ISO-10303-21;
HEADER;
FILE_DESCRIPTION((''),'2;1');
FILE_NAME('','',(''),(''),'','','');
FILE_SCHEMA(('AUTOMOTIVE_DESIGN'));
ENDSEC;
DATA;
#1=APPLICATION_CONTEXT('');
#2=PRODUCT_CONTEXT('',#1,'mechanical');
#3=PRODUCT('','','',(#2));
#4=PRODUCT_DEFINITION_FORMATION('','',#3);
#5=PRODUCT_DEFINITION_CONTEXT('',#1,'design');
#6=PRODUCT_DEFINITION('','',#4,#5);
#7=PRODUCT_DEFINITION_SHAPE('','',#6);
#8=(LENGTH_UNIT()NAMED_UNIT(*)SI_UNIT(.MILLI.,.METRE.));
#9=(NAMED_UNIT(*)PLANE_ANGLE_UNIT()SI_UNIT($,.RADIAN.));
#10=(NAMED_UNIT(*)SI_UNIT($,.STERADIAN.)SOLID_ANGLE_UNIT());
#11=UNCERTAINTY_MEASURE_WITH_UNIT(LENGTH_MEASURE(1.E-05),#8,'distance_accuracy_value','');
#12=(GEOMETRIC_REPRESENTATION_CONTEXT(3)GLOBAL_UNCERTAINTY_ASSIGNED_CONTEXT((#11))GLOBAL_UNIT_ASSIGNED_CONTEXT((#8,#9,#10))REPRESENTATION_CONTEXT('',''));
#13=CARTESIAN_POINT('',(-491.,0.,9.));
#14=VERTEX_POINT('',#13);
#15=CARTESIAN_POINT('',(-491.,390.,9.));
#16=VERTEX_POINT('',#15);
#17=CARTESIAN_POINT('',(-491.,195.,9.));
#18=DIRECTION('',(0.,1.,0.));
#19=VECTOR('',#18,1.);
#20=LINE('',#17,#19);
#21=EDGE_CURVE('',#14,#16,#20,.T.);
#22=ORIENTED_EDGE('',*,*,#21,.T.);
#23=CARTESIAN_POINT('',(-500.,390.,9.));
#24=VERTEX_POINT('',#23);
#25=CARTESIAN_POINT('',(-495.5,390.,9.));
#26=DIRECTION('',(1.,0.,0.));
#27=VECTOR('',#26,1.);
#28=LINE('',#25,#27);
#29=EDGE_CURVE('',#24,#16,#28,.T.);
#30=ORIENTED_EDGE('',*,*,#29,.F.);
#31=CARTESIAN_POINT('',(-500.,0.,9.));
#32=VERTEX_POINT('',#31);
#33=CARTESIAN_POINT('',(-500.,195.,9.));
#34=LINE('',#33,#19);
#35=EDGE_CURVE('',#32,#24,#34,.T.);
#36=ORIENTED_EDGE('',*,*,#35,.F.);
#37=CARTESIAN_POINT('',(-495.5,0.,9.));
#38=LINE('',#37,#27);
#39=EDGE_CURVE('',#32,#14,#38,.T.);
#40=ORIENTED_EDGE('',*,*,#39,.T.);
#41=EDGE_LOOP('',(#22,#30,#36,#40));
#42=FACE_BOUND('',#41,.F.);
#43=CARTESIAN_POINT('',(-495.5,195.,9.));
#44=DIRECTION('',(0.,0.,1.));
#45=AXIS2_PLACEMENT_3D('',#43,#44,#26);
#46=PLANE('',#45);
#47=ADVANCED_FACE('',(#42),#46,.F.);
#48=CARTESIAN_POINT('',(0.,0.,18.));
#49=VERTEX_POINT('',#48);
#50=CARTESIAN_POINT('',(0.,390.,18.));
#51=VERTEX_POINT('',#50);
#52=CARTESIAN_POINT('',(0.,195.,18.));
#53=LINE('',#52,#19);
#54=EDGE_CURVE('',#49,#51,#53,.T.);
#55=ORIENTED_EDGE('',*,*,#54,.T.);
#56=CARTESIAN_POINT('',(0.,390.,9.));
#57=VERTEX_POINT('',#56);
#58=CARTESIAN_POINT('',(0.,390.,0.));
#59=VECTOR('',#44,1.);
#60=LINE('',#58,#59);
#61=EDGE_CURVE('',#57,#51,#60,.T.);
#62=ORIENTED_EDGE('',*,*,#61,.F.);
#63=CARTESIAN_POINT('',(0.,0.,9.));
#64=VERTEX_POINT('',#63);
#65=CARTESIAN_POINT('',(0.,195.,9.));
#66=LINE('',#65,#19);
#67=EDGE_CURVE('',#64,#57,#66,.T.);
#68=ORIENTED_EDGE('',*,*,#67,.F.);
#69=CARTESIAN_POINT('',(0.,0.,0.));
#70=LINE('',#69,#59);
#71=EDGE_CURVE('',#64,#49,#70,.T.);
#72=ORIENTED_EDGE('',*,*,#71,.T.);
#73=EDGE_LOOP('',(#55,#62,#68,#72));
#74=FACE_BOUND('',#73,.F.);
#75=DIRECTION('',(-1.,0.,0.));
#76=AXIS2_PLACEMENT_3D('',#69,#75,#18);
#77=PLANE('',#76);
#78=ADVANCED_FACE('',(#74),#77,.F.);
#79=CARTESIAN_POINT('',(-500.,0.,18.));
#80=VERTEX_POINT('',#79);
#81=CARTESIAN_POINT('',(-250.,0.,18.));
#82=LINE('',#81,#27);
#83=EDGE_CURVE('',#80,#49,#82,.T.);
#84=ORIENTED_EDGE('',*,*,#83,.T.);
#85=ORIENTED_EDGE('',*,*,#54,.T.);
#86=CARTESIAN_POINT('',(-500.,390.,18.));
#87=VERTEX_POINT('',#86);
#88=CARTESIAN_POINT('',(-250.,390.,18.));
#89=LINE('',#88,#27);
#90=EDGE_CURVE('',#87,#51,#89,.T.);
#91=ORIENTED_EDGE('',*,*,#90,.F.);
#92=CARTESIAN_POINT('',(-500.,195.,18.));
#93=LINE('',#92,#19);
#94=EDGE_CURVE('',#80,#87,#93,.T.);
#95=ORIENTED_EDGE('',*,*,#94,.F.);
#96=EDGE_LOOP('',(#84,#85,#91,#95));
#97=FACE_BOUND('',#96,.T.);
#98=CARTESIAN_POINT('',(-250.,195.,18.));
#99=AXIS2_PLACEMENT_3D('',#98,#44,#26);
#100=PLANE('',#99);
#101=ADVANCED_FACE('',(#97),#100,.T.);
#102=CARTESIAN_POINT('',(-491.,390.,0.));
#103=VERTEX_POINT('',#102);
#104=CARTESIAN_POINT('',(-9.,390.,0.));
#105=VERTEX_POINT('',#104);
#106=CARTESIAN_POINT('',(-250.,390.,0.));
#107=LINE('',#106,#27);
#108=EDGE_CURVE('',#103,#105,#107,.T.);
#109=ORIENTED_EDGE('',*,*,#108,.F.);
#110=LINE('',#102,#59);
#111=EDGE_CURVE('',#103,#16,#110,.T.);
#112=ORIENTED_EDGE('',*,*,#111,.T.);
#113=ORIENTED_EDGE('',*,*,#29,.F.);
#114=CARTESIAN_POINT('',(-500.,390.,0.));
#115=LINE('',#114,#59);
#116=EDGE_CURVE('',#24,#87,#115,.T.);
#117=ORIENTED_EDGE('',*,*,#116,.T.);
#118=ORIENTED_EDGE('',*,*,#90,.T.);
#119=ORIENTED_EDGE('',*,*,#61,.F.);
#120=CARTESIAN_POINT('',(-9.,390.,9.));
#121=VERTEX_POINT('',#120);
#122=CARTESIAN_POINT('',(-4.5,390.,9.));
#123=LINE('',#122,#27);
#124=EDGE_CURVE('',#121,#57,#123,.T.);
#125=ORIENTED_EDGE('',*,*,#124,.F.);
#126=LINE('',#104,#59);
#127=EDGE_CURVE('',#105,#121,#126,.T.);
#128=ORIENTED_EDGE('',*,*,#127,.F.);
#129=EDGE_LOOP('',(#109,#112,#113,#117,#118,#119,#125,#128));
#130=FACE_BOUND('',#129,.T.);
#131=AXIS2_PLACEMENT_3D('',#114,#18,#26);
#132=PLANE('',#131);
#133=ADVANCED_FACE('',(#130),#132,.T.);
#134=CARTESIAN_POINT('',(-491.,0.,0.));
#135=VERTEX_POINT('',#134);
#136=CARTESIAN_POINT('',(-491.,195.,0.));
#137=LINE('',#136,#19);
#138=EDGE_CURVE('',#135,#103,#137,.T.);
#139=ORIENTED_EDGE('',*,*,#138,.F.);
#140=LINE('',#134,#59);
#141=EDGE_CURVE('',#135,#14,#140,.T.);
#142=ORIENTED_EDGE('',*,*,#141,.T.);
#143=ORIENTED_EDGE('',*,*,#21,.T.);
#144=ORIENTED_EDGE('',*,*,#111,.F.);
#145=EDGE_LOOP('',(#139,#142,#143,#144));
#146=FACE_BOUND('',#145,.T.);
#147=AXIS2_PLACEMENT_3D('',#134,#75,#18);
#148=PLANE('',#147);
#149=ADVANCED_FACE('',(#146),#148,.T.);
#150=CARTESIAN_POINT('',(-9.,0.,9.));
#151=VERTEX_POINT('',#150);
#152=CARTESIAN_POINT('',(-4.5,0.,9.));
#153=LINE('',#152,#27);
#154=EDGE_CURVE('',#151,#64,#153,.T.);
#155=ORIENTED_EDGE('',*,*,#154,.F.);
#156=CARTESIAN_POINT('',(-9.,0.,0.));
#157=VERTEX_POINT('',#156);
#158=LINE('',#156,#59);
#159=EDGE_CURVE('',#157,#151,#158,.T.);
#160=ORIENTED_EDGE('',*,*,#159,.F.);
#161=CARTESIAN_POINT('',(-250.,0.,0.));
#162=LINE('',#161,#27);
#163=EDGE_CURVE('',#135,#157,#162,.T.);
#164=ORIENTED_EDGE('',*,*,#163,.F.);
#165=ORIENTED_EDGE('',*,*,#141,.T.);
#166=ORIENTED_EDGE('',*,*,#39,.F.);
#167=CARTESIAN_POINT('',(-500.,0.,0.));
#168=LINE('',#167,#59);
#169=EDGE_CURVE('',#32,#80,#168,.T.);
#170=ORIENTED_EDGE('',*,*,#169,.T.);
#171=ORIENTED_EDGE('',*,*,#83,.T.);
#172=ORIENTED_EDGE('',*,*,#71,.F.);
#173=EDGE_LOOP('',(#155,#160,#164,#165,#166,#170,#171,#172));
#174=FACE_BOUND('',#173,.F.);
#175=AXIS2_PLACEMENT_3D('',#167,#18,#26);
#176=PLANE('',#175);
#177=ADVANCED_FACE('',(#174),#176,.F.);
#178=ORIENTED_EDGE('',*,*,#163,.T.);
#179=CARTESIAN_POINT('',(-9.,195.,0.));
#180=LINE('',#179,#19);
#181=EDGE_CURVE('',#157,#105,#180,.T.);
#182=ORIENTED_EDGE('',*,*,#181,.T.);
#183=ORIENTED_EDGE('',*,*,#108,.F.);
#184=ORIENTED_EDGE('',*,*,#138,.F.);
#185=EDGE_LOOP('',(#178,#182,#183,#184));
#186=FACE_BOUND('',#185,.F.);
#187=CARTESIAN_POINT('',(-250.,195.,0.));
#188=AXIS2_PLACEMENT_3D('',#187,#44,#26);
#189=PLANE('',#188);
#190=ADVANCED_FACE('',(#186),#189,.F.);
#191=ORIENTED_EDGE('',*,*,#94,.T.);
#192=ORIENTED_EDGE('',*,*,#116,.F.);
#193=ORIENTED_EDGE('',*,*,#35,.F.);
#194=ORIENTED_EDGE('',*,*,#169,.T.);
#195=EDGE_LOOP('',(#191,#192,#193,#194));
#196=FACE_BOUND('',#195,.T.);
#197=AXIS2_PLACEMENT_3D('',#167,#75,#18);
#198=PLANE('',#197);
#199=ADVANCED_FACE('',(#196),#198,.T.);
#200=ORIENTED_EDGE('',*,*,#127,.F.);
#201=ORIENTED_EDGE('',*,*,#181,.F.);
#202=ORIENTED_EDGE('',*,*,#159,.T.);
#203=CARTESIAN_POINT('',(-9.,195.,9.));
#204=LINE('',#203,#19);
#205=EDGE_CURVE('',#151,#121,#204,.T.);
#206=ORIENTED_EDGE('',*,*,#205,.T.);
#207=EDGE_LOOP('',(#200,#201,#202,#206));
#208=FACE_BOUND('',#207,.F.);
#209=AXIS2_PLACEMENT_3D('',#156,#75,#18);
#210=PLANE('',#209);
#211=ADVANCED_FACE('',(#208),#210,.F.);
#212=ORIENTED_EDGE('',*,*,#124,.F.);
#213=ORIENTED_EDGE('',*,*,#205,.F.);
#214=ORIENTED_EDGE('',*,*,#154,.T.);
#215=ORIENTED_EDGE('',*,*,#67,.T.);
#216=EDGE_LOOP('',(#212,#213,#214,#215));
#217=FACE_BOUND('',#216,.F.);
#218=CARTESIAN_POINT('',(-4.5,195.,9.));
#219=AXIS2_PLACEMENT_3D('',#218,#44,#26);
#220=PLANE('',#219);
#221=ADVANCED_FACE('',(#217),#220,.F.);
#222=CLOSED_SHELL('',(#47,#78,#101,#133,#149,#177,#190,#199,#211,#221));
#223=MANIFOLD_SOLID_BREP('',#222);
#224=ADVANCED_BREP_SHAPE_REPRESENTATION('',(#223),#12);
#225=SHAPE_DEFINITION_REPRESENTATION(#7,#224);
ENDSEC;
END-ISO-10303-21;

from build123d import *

# Parameters (mm, degrees)
SKETCH_W     = 500
SKETCH_H     = 390
PAD_DEPTH    = 18
SKETCH001_W  = 9
SKETCH001_H  = 390
POCKET_DEPTH = 9


with BuildPart() as part:
    # Sketch → Pad (new body)
    with BuildSketch(Plane.XY):
        with Locations((-250, 195)):
            Rectangle(SKETCH_W, SKETCH_H)
    extrude(amount=PAD_DEPTH)

    # Sketch001 → Pocket (cut)
    with BuildSketch(Plane.XY):
        with Locations((-4.5, 195)):
            Rectangle(SKETCH001_W, SKETCH001_H)
        with Locations((-495.5, 195)):
            Rectangle(SKETCH001_W, SKETCH001_H)
    extrude(amount=POCKET_DEPTH, mode=Mode.SUBTRACT)


solid = part.part
